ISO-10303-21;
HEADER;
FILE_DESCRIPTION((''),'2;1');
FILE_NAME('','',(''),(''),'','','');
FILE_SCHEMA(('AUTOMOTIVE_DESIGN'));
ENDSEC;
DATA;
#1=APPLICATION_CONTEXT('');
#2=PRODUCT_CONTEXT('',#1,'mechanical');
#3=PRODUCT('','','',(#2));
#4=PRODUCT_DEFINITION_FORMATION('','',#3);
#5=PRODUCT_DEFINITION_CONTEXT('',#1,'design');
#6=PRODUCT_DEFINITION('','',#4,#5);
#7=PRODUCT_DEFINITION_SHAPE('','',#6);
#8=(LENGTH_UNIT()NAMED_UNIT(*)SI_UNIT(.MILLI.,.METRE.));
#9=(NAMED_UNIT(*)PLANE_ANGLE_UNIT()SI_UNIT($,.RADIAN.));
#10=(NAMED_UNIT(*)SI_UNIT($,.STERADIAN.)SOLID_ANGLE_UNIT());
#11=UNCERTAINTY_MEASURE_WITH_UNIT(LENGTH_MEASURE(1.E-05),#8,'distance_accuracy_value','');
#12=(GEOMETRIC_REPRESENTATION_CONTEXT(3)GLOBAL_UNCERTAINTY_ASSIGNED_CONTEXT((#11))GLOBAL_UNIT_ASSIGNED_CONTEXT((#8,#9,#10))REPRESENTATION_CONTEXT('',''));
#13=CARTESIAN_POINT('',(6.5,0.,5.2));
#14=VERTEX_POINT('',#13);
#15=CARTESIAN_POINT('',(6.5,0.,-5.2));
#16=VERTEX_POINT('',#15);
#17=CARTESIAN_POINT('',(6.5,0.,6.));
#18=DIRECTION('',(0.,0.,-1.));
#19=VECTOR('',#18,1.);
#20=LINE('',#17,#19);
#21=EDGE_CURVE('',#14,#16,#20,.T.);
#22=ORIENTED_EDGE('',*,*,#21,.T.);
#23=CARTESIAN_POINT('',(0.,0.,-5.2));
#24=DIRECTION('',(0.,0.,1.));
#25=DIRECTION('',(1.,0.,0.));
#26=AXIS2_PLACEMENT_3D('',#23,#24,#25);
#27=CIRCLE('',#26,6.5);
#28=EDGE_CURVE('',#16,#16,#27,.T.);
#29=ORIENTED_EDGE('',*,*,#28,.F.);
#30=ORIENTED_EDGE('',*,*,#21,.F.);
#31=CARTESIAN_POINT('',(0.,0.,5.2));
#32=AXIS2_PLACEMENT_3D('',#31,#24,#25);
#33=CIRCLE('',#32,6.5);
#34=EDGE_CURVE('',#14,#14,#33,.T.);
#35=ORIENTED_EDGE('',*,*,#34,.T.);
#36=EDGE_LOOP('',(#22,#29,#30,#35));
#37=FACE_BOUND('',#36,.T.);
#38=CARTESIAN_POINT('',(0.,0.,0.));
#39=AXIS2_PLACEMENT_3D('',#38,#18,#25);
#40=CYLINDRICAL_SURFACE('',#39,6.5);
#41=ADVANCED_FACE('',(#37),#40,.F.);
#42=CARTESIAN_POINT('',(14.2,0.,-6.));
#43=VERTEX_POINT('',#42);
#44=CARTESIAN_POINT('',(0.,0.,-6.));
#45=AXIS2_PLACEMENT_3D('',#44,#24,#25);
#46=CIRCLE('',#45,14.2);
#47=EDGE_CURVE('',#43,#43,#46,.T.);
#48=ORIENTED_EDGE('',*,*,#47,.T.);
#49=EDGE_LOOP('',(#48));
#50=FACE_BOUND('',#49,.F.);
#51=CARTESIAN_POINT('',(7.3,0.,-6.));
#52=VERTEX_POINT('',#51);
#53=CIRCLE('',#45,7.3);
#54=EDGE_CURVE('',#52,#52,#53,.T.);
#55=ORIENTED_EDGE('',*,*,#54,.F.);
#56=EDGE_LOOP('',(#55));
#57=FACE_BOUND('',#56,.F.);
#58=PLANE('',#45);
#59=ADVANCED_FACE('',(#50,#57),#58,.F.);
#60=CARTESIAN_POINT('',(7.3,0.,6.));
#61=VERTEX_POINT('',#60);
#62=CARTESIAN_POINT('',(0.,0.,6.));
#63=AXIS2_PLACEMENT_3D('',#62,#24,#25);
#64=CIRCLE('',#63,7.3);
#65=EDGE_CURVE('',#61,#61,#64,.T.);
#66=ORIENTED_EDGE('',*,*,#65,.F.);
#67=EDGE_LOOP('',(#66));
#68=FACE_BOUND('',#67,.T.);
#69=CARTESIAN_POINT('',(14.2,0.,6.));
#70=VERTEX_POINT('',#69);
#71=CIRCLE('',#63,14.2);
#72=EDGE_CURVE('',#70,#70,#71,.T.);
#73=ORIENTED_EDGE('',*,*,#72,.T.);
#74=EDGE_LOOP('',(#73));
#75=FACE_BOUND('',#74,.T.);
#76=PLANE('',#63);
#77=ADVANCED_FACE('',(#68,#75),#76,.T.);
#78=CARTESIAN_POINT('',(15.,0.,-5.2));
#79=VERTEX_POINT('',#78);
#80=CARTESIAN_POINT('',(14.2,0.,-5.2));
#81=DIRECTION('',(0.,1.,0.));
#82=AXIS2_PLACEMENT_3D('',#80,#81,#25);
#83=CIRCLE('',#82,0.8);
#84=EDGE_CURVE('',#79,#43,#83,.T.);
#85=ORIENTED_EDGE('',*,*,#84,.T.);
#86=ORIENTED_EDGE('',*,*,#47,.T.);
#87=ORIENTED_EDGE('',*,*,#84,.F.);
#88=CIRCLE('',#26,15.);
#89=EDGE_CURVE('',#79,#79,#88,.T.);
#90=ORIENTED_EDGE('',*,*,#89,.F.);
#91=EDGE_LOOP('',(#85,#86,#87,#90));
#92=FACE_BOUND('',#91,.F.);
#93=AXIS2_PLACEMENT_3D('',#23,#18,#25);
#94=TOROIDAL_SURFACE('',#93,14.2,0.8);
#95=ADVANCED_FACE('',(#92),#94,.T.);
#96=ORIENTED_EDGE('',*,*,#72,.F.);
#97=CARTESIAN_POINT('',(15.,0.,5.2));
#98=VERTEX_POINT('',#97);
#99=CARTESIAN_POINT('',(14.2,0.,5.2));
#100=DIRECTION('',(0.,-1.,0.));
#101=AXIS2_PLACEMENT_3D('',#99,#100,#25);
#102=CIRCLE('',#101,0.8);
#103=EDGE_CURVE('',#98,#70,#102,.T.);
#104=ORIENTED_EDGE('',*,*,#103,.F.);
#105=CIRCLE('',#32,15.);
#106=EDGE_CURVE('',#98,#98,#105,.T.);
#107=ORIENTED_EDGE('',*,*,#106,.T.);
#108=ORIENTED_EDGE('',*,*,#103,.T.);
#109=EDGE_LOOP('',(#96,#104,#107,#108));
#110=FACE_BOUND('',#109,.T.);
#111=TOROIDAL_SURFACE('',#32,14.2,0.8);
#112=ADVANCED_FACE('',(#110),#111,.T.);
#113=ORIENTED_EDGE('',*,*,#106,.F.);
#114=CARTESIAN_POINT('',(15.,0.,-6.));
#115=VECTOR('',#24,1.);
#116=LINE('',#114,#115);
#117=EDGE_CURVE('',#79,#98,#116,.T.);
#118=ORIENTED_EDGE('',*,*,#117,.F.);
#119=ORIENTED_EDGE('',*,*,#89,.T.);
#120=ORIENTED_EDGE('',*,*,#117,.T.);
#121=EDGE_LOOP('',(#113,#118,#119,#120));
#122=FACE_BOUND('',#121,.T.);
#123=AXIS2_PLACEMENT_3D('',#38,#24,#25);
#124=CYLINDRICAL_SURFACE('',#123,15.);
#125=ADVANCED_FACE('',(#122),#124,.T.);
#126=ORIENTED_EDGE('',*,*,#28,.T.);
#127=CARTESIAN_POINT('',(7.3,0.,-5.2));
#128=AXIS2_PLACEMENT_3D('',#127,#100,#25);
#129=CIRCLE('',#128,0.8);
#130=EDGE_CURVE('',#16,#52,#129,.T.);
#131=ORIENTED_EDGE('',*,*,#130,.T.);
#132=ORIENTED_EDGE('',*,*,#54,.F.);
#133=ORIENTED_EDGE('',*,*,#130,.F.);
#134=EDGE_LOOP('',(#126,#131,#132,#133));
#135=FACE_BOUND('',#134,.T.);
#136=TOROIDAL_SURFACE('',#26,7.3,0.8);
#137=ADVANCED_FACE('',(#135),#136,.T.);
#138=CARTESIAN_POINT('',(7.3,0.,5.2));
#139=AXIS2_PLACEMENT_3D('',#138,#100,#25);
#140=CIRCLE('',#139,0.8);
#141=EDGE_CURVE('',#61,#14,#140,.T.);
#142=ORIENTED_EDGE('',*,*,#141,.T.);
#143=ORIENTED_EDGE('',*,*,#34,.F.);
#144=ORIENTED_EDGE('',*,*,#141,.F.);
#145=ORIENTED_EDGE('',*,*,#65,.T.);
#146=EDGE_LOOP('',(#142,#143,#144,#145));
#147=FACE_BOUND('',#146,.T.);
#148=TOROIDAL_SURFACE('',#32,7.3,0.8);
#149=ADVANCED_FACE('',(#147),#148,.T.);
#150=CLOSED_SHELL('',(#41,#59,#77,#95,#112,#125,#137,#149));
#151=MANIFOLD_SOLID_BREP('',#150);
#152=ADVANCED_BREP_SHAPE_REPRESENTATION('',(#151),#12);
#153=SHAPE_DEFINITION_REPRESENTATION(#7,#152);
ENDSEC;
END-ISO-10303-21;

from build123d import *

# Parameters (mm, degrees)
SKETCH1_R           = 15
SKETCH1_R_2         = 6.5
BOSS_EXTRUDE1_DEPTH = 6
FILLET2_R           = 0.8


with BuildPart() as part:
    # Sketch1 → Boss-Extrude1 (new body, symmetric)
    with BuildSketch(Plane.XY):
        Circle(SKETCH1_R)
        Circle(SKETCH1_R_2, mode=Mode.SUBTRACT)
    extrude(amount=BOSS_EXTRUDE1_DEPTH, both=True)

    # Fillet2
    fillet2_edges = [part.edges().sort_by_distance(p)[0] for p in [
        (-15, 0, -6),
        (-15, 0, 6),
        (-6.5, 0, -6),
        (-6.5, 0, 6),
    ]]
    fillet(fillet2_edges, radius=FILLET2_R)


solid = part.part
